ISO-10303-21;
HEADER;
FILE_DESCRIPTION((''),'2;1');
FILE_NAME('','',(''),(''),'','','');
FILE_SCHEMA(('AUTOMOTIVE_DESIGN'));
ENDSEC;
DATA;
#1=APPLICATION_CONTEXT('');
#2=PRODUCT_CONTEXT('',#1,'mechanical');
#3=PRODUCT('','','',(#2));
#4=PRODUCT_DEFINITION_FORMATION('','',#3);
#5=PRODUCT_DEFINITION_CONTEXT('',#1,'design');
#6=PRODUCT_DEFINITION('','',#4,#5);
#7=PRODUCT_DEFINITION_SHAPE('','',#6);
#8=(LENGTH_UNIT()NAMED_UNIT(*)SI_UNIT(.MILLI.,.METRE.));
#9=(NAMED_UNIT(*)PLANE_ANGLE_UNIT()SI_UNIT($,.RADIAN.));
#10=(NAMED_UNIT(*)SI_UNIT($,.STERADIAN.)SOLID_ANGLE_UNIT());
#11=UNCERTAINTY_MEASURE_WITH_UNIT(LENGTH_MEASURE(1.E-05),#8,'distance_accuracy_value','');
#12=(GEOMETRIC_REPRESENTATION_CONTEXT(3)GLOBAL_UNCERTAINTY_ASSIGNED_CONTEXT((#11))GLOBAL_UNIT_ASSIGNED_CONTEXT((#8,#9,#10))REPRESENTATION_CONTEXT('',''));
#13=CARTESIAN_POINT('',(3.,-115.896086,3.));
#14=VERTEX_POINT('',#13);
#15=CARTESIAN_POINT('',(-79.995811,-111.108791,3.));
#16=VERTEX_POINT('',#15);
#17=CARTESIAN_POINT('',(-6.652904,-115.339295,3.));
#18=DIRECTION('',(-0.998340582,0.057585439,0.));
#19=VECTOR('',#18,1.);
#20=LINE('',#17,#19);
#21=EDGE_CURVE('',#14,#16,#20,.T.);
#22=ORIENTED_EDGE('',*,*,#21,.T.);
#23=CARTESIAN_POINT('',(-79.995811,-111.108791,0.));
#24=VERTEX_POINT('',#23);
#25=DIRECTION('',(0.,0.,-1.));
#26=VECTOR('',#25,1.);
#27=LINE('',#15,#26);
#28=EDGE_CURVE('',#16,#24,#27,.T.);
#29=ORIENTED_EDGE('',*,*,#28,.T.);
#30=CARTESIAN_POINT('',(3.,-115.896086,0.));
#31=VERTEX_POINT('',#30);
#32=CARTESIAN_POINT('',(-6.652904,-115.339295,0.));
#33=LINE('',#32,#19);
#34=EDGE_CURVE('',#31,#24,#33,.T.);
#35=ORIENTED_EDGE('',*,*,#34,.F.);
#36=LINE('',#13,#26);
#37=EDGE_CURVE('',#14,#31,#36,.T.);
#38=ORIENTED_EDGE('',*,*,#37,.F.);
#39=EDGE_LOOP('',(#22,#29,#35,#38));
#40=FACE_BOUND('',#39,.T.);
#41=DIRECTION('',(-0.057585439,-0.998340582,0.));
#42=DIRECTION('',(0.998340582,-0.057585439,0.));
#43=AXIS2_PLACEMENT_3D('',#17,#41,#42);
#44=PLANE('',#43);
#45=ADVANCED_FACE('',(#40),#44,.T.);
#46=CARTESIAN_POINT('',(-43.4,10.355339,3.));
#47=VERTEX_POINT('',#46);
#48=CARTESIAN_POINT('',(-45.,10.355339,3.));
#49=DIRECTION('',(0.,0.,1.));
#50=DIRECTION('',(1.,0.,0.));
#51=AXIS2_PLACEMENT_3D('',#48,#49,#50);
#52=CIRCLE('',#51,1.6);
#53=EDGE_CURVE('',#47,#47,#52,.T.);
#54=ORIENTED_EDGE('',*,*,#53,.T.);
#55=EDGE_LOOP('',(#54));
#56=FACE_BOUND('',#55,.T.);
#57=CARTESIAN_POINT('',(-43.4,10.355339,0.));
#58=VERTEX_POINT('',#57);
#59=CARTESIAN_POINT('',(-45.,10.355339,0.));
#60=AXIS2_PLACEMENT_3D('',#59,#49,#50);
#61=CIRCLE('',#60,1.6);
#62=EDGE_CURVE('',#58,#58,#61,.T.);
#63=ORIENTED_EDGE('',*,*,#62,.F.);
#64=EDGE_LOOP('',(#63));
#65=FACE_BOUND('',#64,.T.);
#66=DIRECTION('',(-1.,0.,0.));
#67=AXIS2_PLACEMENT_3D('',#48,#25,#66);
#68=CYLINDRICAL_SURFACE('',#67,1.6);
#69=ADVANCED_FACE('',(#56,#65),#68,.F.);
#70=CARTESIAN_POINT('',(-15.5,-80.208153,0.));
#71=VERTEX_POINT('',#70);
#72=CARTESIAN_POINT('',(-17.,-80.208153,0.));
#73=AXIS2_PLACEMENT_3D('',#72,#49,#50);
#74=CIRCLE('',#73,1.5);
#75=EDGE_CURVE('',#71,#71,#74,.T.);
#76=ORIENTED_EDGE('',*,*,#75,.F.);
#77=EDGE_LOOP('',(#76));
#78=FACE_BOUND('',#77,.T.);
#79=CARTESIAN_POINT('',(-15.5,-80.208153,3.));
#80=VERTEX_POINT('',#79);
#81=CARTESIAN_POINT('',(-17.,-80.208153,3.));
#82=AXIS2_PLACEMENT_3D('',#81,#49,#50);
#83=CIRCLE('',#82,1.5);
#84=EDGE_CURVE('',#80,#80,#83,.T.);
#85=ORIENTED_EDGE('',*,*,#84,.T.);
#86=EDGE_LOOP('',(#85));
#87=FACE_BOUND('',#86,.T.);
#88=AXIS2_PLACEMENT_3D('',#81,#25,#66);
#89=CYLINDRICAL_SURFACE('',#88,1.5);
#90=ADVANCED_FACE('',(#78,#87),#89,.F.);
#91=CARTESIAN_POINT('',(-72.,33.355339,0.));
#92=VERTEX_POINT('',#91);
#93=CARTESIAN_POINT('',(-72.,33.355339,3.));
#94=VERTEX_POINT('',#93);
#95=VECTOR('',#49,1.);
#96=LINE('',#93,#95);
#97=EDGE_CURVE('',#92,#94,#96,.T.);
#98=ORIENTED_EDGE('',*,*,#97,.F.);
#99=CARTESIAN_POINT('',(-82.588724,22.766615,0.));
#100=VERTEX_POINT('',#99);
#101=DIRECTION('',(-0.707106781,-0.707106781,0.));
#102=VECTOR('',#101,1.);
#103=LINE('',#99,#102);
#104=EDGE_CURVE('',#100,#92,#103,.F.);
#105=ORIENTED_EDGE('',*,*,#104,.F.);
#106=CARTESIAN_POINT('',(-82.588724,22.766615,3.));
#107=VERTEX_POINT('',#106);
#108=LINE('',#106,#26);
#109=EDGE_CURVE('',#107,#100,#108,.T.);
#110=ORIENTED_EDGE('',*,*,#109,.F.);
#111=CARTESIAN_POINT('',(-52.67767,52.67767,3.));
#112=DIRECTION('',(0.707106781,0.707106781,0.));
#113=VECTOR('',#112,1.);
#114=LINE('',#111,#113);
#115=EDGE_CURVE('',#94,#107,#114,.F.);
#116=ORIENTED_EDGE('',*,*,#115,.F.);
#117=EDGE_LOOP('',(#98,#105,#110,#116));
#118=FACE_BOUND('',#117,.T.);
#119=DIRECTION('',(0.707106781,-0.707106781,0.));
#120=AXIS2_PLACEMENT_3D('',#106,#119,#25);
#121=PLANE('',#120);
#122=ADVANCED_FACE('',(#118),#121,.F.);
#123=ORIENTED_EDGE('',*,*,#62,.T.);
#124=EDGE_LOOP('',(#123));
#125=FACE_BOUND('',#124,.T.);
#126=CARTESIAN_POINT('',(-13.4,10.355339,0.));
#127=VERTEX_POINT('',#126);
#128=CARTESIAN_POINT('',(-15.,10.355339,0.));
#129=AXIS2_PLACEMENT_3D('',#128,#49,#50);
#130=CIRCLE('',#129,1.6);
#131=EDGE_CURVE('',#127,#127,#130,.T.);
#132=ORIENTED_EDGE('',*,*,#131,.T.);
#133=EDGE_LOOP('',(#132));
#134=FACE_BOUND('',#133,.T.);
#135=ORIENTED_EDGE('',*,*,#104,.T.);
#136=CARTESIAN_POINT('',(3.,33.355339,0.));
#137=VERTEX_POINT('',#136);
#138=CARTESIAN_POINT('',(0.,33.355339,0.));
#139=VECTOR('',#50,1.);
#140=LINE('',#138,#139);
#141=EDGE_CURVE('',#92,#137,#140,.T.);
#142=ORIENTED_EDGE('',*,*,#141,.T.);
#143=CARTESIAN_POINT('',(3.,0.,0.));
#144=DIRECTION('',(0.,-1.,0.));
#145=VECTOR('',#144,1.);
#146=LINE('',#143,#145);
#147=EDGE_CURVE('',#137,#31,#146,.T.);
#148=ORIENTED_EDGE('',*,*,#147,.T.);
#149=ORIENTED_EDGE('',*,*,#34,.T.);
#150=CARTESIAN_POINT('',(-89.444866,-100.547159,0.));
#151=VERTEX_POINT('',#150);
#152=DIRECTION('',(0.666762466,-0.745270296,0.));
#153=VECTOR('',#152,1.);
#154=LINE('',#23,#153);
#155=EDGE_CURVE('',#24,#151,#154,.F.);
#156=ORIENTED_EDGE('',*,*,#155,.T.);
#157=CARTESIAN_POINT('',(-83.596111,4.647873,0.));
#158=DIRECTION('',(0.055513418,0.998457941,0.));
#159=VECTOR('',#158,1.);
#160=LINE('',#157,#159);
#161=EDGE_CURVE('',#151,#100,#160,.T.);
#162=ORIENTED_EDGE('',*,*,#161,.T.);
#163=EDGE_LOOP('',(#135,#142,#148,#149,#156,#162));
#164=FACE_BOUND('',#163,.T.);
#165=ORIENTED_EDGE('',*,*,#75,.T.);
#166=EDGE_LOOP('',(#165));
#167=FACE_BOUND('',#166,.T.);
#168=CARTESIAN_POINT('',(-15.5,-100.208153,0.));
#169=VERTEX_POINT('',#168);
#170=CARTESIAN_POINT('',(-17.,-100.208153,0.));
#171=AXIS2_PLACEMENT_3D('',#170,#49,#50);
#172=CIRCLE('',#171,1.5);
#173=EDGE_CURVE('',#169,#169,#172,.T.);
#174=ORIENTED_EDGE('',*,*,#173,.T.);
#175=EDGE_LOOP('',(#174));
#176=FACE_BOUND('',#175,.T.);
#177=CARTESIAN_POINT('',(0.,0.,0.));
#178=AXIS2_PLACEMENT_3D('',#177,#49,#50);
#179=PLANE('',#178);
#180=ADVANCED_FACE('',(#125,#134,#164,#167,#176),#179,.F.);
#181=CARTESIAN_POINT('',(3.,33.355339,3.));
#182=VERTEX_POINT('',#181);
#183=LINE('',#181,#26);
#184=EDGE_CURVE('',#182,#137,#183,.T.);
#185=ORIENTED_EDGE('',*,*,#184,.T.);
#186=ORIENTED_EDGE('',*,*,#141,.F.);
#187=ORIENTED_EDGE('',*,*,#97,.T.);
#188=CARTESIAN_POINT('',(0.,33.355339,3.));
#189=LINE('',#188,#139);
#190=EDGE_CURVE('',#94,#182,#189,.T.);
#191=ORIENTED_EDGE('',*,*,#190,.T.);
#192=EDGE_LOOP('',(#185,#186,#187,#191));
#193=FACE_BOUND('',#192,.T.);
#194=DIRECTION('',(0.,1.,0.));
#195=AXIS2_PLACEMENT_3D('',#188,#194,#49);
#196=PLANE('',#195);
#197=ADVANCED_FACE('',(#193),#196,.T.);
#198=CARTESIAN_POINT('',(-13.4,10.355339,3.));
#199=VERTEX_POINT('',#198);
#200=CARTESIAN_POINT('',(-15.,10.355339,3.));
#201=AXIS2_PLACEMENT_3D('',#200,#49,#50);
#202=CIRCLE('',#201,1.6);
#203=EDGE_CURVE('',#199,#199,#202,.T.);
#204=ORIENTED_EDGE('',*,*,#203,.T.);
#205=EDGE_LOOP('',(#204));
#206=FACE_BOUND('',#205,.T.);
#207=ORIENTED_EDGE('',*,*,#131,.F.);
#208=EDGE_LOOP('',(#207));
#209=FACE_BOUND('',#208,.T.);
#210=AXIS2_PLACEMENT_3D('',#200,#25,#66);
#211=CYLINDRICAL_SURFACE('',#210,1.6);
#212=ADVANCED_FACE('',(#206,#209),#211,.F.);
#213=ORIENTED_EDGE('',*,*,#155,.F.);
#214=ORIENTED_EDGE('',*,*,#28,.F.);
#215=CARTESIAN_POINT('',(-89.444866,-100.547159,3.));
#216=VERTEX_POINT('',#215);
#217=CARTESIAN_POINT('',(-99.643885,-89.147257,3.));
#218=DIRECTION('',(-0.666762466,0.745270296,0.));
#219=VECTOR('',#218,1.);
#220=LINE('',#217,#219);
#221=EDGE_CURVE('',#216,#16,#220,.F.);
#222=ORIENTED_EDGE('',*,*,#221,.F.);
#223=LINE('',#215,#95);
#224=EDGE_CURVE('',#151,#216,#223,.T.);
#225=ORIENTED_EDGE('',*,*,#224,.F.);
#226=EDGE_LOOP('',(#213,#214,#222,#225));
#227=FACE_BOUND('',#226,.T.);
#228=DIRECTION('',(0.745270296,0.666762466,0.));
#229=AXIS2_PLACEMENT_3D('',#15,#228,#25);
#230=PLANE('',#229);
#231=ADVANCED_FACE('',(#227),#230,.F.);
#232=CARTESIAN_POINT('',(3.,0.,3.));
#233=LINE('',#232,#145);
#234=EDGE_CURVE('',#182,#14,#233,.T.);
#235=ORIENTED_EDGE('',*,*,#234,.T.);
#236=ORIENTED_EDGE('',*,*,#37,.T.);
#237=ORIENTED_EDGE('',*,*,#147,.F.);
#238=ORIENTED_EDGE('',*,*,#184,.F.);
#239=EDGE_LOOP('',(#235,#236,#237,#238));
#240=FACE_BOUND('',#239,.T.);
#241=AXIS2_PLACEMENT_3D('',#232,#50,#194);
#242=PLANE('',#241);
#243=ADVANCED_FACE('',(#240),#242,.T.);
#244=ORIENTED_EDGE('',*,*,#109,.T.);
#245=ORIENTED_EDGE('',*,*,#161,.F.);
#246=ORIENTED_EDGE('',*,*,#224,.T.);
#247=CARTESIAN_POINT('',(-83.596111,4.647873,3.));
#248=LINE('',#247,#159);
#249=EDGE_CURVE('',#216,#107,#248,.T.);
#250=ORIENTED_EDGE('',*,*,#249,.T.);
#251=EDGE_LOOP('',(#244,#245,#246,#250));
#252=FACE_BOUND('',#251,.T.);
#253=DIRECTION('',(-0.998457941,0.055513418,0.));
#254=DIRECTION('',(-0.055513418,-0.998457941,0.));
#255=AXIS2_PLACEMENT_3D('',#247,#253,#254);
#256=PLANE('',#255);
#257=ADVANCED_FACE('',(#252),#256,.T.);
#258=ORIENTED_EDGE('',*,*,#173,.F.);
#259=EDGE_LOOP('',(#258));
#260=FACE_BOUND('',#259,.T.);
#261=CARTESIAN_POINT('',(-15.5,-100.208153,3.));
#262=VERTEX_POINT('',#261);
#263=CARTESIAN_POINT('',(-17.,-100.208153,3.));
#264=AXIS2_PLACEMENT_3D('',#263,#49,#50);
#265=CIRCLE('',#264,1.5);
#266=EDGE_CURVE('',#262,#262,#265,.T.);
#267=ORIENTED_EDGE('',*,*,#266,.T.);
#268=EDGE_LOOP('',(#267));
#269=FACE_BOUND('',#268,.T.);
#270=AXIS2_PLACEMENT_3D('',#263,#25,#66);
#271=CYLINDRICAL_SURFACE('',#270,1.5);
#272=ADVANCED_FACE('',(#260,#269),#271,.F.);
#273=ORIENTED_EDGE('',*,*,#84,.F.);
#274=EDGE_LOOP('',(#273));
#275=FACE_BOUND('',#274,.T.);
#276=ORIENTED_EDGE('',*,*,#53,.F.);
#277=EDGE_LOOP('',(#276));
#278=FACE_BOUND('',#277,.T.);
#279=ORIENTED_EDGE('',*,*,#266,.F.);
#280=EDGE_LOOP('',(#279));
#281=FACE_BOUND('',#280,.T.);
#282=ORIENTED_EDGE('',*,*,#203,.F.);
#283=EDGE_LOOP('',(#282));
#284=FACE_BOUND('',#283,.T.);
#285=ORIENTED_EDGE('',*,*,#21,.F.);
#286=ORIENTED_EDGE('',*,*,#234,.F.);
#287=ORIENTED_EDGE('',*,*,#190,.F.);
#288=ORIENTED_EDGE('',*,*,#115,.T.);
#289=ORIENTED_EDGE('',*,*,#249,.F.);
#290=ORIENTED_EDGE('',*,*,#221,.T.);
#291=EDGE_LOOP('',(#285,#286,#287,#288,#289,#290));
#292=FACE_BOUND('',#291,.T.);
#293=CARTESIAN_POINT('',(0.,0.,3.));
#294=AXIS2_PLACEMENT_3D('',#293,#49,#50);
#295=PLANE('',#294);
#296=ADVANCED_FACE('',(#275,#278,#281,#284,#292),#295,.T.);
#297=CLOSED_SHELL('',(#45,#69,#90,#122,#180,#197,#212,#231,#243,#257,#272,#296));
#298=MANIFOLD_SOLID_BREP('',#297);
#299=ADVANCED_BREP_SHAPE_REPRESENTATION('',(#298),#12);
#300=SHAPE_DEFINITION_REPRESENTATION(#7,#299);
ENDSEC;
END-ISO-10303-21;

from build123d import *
from OCP.BRepFilletAPI import BRepFilletAPI_MakeChamfer

# Parameters (mm, degrees)
SKETCH1_R           = 1.6
SKETCH1_R_2         = 1.5
BOSS_EXTRUDE1_DEPTH = 3
CHAMFER1_SIZE       = 10
CHAMFER1_SIZE2      = 10.020818191
CHAMFER1_SIZE2_2    = 10.605077774


with BuildPart() as part:
    # Sketch1 → Boss-Extrude1 (new body)
    with BuildSketch(Plane.XY):
        Polygon((-82, 33.355339059), (3, 33.355339059), (3, -115.896085726), (-90, -110.53173818), align=None)
        with Locations((-45, 10.355339059)):
            Circle(SKETCH1_R, mode=Mode.SUBTRACT)
        with Locations((-15, 10.355339059)):
            Circle(SKETCH1_R, mode=Mode.SUBTRACT)
        with Locations((-17, -80.208152802)):
            Circle(SKETCH1_R_2, mode=Mode.SUBTRACT)
        with Locations((-17, -100.208152802)):
            Circle(SKETCH1_R_2, mode=Mode.SUBTRACT)
    extrude(amount=BOSS_EXTRUDE1_DEPTH)

    # Chamfer1: one chamfer whose edges measure the first distance from different faces: ONE call of the kernel's chamfer builder (chamfer() names one face for all edges)
    chamfer1_edges_1 = [part.edges().sort_by_distance(p)[0] for p in [
        (-90, -110.53173818, 1.5),
    ]]
    chamfer1_side_1 = [part.faces().sort_by_distance(p)[0] for p in [
        (-86, -38.588199561, 1.5),
    ]]
    chamfer1_edges_2 = [part.edges().sort_by_distance(p)[0] for p in [
        (-82, 33.355339059, 1.5),
    ]]
    chamfer1_side_2 = [part.faces().sort_by_distance(p)[0] for p in [
        (-39.5, 33.355339059, 1.5),
    ]]
    chamfer1 = BRepFilletAPI_MakeChamfer(part.part.solid().wrapped)
    for e in chamfer1_edges_1:
        chamfer1.Add(CHAMFER1_SIZE, CHAMFER1_SIZE2, e.wrapped, chamfer1_side_1[0].wrapped)  # the first distance lies on this face
    for e in chamfer1_edges_2:
        chamfer1.Add(CHAMFER1_SIZE, CHAMFER1_SIZE2_2, e.wrapped, chamfer1_side_2[0].wrapped)  # the first distance lies on this face
    add(Compound.cast(chamfer1.Shape()), mode=Mode.REPLACE)


solid = part.part
